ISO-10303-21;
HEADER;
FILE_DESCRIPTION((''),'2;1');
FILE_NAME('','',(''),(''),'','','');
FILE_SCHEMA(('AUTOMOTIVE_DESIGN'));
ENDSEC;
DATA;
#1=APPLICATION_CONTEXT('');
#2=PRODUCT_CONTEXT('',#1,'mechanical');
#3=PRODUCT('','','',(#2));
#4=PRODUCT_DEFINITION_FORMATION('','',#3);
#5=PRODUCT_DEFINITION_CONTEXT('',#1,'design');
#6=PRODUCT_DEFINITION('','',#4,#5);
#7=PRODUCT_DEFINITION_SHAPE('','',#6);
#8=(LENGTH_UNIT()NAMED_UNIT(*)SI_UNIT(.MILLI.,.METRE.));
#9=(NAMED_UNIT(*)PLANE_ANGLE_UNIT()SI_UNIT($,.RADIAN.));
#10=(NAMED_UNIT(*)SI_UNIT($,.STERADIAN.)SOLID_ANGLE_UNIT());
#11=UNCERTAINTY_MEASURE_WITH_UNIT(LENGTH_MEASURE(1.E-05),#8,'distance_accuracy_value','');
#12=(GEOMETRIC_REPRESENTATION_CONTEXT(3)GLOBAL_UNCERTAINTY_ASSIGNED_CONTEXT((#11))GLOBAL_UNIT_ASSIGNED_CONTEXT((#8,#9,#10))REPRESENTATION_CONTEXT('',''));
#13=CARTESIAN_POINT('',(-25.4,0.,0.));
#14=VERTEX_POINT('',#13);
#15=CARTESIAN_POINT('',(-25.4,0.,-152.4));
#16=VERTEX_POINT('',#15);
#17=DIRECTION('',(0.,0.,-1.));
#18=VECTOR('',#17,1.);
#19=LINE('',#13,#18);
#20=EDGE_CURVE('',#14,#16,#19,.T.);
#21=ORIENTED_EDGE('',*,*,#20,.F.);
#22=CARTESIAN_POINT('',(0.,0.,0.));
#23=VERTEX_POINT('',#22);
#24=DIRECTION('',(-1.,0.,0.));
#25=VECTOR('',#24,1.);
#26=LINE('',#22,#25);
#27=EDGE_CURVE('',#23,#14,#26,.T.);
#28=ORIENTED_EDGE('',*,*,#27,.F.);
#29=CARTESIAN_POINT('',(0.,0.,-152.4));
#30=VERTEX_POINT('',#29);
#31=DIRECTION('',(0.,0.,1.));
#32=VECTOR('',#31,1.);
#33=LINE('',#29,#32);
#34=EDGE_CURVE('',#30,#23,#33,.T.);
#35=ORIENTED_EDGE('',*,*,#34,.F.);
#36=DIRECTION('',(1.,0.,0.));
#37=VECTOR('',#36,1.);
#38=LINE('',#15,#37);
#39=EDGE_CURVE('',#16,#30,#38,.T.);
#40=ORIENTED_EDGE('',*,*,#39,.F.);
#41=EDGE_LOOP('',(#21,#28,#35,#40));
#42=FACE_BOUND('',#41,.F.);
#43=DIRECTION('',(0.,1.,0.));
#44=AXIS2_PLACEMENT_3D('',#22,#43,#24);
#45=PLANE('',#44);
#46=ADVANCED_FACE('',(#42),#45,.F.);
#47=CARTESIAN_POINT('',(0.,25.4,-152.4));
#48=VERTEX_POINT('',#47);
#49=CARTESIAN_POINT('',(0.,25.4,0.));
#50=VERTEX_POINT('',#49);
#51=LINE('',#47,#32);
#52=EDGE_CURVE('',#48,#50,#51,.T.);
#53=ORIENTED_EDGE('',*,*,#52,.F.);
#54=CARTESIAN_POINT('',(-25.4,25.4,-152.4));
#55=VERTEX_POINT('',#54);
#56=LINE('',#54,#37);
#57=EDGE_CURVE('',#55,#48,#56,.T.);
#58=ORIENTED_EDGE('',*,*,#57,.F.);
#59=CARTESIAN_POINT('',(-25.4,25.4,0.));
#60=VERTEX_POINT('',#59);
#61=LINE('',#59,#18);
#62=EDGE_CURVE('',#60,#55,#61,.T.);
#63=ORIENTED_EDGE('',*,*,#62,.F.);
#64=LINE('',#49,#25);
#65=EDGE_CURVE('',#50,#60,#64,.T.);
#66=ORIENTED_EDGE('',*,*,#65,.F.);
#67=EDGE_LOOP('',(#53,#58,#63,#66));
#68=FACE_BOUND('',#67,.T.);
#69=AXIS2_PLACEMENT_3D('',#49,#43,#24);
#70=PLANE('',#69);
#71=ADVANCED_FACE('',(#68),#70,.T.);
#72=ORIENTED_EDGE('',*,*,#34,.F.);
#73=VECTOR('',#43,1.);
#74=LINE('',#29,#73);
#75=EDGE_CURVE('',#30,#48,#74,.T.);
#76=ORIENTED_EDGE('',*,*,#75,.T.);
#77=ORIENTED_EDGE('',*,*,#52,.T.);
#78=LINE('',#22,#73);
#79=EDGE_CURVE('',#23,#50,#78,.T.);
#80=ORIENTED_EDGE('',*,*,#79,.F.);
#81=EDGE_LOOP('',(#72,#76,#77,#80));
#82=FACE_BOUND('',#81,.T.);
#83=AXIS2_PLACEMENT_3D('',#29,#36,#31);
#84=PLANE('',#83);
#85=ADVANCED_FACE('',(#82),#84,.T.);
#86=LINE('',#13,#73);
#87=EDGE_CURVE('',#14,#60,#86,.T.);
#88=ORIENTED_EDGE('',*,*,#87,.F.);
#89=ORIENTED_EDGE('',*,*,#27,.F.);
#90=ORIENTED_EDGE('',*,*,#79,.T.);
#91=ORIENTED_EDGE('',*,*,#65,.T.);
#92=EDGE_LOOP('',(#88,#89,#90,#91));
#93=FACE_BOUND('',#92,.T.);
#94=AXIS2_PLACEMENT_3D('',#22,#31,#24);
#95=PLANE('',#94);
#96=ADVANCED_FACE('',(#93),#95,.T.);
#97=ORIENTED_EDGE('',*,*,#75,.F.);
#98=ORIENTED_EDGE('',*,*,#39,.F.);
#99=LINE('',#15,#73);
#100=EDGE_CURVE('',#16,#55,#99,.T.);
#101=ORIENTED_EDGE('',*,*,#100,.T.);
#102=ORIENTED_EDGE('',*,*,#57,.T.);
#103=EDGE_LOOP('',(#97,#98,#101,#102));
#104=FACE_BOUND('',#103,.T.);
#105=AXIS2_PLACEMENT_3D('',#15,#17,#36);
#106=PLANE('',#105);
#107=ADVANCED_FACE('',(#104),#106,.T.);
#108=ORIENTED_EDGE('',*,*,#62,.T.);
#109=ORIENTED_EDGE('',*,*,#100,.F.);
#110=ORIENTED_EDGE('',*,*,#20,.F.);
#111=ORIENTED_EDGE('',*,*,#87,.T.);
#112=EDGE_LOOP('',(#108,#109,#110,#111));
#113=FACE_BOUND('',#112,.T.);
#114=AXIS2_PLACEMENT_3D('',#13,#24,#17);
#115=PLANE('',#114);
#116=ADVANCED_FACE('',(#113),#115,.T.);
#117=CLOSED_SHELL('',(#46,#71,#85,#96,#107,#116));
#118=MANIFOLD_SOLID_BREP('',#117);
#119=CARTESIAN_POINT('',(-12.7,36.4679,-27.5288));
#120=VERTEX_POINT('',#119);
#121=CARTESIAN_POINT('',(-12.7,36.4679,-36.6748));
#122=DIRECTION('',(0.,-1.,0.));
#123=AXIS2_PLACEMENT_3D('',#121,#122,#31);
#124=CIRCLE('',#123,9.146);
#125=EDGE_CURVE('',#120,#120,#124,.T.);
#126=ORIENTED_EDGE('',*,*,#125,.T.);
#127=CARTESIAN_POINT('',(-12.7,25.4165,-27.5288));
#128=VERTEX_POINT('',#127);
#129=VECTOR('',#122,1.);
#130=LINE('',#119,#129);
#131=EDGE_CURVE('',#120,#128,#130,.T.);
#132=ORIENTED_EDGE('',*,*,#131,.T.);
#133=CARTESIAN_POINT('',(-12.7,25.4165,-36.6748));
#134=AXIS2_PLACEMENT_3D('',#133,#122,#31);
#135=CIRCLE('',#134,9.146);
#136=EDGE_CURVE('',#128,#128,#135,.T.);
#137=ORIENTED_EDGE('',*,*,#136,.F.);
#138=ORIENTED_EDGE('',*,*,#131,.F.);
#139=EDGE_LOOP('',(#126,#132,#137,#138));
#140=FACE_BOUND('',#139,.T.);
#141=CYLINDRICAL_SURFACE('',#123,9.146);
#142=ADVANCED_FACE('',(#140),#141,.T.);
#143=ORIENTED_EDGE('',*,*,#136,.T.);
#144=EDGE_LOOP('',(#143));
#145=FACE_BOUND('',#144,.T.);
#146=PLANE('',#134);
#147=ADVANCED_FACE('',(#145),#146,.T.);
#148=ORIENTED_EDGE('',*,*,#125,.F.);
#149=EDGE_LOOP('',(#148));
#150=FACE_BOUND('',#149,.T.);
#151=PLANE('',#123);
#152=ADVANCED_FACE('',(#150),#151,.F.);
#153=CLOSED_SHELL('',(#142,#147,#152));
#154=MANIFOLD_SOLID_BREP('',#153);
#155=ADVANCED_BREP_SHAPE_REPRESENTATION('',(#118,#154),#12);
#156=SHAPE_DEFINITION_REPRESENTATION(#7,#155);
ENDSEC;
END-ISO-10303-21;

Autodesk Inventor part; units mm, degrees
ref_plane "YZ Plane" through (0, 0, 0) normal (1, 0, 0) x (0, 1, 0)
ref_plane "XZ Plane" through (0, 0, 0) normal (0, 1, 0) x (-1, 0, 0)
sketch "Sketch1" plane through (0, 0, 0) normal (0, 1, 0) x (-1, 0, 0)
  line L0 (0, 0) -> (25.4, 0)
  line L1 (25.4, 0) -> (25.4, -152.4)
  line L2 (25.4, -152.4) -> (0, -152.4)
  line L3 (0, -152.4) -> (0, 0)
  dimension "d0" = 25.4
  dimension "d2" = 152.4
extrude "Extrusion1" add sketch "Sketch1" along normal blind 25.4
sketch "Sketch2" plane through (0, 25.4, 0) normal (0, 1, 0) x (1, 0, 0)
  circle A0 centre (-12.7, 38.1) radius 9.525
  circle A1 centre (-12.7, 114.3) radius 9.525
  line L0 (0, 0) -> (0, 152.4) projected
  line L1 (0, 0) -> (0, 152.4)
  line L2 (-25.4, 0) -> (0, 0) projected
  line L3 (0, 152.4) -> (-25.4, 152.4) projected
  point P0 (-12.7, 0)
  point P1 (-12.7, 152.4)
  dimension "d5" = 19.05
  dimension "d6" = 19.05
  dimension "d7" = 38.1
  dimension "d8" = 38.1
ref_plane "Work Plane2" through (-12.7, 25.4, 0) normal (1, 0, 0) x (0, 0, -1)
sketch "Sketch3" plane through (-12.7, 25.4, 0) normal (1, 0, 0) x (0, 0, -1)
  line L0 (0, 0) -> (152.4, 0) projected
  line L1 (37.8661, 0) -> (50.5661, 0)
  line L2 (113.6104, 0) -> (113.6104, 12.7)
  point P0 (0, -25.4)
  dimension "d11" = 12.7
  dimension "d12" = 12.7
sketch "Sketch4" plane through (-12.7, 25.4, 0) normal (1, 0, 0) x (0, 0, -1)
  line L0 (27.5288, 0.0165) -> (36.6748, 0.0165)
  line L1 (36.6748, 0.0165) -> (36.6748, 11.0679)
  line L2 (36.6748, 11.0679) -> (27.5288, 11.0679)
  line L3 (27.5288, 11.0679) -> (27.5288, 0.0165)
  point P0 (0, -25.4)
revolve "Revolution1" add sketch "Sketch4" angle 360 about axis through (-12.7, 25.4165, -36.6748) along (0, -1, 0)
properties part number "Lego"
